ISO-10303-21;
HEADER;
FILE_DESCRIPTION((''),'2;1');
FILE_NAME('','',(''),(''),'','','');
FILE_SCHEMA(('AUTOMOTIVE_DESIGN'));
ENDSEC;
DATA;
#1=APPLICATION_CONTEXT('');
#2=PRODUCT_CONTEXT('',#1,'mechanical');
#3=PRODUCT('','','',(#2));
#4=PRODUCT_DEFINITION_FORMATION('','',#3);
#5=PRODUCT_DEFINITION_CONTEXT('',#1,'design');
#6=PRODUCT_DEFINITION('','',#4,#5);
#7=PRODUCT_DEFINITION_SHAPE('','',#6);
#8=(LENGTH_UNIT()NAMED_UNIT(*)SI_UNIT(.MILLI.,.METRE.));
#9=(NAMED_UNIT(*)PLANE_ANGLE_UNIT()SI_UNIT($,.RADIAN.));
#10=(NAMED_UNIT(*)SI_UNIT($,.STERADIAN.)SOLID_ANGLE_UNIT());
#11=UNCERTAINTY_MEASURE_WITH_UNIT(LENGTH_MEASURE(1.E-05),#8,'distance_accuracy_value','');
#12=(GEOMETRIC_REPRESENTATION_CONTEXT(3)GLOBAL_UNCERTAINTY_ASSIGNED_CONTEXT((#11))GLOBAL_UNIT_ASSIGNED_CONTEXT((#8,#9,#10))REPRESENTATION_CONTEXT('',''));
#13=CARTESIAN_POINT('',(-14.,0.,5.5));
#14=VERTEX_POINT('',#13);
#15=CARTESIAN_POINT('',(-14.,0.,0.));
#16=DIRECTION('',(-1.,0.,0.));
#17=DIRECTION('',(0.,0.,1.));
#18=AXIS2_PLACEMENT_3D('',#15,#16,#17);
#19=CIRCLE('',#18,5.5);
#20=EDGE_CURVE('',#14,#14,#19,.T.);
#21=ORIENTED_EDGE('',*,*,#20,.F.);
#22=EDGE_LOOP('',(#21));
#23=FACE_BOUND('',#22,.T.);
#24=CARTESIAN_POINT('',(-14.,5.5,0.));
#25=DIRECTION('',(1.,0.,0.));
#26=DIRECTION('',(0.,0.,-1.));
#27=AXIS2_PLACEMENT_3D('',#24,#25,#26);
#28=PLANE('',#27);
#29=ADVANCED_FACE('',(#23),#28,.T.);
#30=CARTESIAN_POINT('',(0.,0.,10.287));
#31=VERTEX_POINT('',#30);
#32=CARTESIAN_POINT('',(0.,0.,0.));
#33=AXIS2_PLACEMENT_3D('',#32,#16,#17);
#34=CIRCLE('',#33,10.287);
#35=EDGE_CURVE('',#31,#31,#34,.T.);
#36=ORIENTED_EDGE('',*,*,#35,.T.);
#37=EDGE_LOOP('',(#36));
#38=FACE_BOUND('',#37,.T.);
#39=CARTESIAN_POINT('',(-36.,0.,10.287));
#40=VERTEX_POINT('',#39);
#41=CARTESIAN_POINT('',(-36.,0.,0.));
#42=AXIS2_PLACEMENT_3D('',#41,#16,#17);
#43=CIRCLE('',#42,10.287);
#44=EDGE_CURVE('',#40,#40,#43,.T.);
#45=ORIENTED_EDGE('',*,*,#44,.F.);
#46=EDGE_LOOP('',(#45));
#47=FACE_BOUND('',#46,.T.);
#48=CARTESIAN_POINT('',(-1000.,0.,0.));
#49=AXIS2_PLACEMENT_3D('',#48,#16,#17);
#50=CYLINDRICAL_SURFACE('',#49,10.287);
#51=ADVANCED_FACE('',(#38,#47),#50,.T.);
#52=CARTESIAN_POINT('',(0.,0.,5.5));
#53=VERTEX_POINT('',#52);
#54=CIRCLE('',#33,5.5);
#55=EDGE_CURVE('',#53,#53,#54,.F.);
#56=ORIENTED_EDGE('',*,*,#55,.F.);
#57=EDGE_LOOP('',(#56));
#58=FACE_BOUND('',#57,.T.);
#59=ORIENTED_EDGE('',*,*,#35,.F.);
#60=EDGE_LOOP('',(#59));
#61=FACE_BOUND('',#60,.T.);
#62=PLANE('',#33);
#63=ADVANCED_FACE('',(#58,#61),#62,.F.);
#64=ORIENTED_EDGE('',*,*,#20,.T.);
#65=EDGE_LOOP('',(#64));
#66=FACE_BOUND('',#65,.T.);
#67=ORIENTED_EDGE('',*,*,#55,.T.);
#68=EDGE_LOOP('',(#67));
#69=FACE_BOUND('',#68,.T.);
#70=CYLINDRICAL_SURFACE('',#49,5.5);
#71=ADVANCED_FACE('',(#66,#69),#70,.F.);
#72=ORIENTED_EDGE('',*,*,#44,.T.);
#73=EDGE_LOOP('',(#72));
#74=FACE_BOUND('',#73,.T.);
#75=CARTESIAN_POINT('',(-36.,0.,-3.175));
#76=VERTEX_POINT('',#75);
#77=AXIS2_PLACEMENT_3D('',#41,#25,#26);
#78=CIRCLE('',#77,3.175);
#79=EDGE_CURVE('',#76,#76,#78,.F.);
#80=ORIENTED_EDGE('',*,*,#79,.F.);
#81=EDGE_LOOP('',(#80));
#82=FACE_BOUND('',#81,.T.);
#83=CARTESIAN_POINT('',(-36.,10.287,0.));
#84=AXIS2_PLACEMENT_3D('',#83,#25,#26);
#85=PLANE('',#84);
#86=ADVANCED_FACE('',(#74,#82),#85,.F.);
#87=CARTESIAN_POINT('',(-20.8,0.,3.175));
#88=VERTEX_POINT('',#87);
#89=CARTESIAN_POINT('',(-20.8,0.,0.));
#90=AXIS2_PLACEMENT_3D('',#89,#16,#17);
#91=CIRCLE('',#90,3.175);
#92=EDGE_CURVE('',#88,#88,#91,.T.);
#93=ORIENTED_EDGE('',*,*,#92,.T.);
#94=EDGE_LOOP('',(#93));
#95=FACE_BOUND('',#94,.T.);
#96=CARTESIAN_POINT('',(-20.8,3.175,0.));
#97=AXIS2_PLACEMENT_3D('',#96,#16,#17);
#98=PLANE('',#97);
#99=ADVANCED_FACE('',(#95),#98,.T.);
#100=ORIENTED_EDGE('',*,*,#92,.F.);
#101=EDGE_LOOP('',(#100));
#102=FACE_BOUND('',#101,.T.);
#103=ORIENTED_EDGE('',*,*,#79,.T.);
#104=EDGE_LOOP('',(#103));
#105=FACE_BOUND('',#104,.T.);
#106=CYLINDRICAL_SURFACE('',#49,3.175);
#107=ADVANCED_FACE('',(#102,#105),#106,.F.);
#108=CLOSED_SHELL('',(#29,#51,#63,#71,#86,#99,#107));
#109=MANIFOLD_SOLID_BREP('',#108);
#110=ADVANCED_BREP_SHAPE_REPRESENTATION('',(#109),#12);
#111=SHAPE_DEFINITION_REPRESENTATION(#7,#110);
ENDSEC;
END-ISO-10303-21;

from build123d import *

# Parameters (mm, degrees)
CONN_T4_FNPT_SKETCH_W = 36
CONN_T4_FNPT_SKETCH_H = 10.287
SOCKET_1_SKETCH_W     = 15
SOCKET_1_SKETCH_H     = 5.5
SOCKET_2_SKETCH_W     = 16.2
SOCKET_2_SKETCH_H     = 3.175


with BuildPart() as part:
    # Conn_T4_FNPT Sketch → Conn_T4_FNPT (revolve)
    with BuildSketch(Plane.XY):
        with Locations((-18, 5.1435)):
            Rectangle(CONN_T4_FNPT_SKETCH_W, CONN_T4_FNPT_SKETCH_H)
    revolve(axis=Axis((-1000, 0, 0), (1, 0, 0)))

    # Socket 1 Sketch → Socket 1 (revolve, cut)
    with BuildSketch(Plane.XY):
        with Locations((-6.5, 2.75)):
            Rectangle(SOCKET_1_SKETCH_W, SOCKET_1_SKETCH_H)
    revolve(axis=Axis((-1000, 0, 0), (1, 0, 0)), mode=Mode.SUBTRACT)

    # Socket 2 Sketch → Socket 2 (revolve, cut)
    with BuildSketch(Plane.XY):
        with Locations((-28.9, 1.5875)):
            Rectangle(SOCKET_2_SKETCH_W, SOCKET_2_SKETCH_H)
    revolve(axis=Axis((-1000, 0, 0), (1, 0, 0)), mode=Mode.SUBTRACT)


solid = part.part
